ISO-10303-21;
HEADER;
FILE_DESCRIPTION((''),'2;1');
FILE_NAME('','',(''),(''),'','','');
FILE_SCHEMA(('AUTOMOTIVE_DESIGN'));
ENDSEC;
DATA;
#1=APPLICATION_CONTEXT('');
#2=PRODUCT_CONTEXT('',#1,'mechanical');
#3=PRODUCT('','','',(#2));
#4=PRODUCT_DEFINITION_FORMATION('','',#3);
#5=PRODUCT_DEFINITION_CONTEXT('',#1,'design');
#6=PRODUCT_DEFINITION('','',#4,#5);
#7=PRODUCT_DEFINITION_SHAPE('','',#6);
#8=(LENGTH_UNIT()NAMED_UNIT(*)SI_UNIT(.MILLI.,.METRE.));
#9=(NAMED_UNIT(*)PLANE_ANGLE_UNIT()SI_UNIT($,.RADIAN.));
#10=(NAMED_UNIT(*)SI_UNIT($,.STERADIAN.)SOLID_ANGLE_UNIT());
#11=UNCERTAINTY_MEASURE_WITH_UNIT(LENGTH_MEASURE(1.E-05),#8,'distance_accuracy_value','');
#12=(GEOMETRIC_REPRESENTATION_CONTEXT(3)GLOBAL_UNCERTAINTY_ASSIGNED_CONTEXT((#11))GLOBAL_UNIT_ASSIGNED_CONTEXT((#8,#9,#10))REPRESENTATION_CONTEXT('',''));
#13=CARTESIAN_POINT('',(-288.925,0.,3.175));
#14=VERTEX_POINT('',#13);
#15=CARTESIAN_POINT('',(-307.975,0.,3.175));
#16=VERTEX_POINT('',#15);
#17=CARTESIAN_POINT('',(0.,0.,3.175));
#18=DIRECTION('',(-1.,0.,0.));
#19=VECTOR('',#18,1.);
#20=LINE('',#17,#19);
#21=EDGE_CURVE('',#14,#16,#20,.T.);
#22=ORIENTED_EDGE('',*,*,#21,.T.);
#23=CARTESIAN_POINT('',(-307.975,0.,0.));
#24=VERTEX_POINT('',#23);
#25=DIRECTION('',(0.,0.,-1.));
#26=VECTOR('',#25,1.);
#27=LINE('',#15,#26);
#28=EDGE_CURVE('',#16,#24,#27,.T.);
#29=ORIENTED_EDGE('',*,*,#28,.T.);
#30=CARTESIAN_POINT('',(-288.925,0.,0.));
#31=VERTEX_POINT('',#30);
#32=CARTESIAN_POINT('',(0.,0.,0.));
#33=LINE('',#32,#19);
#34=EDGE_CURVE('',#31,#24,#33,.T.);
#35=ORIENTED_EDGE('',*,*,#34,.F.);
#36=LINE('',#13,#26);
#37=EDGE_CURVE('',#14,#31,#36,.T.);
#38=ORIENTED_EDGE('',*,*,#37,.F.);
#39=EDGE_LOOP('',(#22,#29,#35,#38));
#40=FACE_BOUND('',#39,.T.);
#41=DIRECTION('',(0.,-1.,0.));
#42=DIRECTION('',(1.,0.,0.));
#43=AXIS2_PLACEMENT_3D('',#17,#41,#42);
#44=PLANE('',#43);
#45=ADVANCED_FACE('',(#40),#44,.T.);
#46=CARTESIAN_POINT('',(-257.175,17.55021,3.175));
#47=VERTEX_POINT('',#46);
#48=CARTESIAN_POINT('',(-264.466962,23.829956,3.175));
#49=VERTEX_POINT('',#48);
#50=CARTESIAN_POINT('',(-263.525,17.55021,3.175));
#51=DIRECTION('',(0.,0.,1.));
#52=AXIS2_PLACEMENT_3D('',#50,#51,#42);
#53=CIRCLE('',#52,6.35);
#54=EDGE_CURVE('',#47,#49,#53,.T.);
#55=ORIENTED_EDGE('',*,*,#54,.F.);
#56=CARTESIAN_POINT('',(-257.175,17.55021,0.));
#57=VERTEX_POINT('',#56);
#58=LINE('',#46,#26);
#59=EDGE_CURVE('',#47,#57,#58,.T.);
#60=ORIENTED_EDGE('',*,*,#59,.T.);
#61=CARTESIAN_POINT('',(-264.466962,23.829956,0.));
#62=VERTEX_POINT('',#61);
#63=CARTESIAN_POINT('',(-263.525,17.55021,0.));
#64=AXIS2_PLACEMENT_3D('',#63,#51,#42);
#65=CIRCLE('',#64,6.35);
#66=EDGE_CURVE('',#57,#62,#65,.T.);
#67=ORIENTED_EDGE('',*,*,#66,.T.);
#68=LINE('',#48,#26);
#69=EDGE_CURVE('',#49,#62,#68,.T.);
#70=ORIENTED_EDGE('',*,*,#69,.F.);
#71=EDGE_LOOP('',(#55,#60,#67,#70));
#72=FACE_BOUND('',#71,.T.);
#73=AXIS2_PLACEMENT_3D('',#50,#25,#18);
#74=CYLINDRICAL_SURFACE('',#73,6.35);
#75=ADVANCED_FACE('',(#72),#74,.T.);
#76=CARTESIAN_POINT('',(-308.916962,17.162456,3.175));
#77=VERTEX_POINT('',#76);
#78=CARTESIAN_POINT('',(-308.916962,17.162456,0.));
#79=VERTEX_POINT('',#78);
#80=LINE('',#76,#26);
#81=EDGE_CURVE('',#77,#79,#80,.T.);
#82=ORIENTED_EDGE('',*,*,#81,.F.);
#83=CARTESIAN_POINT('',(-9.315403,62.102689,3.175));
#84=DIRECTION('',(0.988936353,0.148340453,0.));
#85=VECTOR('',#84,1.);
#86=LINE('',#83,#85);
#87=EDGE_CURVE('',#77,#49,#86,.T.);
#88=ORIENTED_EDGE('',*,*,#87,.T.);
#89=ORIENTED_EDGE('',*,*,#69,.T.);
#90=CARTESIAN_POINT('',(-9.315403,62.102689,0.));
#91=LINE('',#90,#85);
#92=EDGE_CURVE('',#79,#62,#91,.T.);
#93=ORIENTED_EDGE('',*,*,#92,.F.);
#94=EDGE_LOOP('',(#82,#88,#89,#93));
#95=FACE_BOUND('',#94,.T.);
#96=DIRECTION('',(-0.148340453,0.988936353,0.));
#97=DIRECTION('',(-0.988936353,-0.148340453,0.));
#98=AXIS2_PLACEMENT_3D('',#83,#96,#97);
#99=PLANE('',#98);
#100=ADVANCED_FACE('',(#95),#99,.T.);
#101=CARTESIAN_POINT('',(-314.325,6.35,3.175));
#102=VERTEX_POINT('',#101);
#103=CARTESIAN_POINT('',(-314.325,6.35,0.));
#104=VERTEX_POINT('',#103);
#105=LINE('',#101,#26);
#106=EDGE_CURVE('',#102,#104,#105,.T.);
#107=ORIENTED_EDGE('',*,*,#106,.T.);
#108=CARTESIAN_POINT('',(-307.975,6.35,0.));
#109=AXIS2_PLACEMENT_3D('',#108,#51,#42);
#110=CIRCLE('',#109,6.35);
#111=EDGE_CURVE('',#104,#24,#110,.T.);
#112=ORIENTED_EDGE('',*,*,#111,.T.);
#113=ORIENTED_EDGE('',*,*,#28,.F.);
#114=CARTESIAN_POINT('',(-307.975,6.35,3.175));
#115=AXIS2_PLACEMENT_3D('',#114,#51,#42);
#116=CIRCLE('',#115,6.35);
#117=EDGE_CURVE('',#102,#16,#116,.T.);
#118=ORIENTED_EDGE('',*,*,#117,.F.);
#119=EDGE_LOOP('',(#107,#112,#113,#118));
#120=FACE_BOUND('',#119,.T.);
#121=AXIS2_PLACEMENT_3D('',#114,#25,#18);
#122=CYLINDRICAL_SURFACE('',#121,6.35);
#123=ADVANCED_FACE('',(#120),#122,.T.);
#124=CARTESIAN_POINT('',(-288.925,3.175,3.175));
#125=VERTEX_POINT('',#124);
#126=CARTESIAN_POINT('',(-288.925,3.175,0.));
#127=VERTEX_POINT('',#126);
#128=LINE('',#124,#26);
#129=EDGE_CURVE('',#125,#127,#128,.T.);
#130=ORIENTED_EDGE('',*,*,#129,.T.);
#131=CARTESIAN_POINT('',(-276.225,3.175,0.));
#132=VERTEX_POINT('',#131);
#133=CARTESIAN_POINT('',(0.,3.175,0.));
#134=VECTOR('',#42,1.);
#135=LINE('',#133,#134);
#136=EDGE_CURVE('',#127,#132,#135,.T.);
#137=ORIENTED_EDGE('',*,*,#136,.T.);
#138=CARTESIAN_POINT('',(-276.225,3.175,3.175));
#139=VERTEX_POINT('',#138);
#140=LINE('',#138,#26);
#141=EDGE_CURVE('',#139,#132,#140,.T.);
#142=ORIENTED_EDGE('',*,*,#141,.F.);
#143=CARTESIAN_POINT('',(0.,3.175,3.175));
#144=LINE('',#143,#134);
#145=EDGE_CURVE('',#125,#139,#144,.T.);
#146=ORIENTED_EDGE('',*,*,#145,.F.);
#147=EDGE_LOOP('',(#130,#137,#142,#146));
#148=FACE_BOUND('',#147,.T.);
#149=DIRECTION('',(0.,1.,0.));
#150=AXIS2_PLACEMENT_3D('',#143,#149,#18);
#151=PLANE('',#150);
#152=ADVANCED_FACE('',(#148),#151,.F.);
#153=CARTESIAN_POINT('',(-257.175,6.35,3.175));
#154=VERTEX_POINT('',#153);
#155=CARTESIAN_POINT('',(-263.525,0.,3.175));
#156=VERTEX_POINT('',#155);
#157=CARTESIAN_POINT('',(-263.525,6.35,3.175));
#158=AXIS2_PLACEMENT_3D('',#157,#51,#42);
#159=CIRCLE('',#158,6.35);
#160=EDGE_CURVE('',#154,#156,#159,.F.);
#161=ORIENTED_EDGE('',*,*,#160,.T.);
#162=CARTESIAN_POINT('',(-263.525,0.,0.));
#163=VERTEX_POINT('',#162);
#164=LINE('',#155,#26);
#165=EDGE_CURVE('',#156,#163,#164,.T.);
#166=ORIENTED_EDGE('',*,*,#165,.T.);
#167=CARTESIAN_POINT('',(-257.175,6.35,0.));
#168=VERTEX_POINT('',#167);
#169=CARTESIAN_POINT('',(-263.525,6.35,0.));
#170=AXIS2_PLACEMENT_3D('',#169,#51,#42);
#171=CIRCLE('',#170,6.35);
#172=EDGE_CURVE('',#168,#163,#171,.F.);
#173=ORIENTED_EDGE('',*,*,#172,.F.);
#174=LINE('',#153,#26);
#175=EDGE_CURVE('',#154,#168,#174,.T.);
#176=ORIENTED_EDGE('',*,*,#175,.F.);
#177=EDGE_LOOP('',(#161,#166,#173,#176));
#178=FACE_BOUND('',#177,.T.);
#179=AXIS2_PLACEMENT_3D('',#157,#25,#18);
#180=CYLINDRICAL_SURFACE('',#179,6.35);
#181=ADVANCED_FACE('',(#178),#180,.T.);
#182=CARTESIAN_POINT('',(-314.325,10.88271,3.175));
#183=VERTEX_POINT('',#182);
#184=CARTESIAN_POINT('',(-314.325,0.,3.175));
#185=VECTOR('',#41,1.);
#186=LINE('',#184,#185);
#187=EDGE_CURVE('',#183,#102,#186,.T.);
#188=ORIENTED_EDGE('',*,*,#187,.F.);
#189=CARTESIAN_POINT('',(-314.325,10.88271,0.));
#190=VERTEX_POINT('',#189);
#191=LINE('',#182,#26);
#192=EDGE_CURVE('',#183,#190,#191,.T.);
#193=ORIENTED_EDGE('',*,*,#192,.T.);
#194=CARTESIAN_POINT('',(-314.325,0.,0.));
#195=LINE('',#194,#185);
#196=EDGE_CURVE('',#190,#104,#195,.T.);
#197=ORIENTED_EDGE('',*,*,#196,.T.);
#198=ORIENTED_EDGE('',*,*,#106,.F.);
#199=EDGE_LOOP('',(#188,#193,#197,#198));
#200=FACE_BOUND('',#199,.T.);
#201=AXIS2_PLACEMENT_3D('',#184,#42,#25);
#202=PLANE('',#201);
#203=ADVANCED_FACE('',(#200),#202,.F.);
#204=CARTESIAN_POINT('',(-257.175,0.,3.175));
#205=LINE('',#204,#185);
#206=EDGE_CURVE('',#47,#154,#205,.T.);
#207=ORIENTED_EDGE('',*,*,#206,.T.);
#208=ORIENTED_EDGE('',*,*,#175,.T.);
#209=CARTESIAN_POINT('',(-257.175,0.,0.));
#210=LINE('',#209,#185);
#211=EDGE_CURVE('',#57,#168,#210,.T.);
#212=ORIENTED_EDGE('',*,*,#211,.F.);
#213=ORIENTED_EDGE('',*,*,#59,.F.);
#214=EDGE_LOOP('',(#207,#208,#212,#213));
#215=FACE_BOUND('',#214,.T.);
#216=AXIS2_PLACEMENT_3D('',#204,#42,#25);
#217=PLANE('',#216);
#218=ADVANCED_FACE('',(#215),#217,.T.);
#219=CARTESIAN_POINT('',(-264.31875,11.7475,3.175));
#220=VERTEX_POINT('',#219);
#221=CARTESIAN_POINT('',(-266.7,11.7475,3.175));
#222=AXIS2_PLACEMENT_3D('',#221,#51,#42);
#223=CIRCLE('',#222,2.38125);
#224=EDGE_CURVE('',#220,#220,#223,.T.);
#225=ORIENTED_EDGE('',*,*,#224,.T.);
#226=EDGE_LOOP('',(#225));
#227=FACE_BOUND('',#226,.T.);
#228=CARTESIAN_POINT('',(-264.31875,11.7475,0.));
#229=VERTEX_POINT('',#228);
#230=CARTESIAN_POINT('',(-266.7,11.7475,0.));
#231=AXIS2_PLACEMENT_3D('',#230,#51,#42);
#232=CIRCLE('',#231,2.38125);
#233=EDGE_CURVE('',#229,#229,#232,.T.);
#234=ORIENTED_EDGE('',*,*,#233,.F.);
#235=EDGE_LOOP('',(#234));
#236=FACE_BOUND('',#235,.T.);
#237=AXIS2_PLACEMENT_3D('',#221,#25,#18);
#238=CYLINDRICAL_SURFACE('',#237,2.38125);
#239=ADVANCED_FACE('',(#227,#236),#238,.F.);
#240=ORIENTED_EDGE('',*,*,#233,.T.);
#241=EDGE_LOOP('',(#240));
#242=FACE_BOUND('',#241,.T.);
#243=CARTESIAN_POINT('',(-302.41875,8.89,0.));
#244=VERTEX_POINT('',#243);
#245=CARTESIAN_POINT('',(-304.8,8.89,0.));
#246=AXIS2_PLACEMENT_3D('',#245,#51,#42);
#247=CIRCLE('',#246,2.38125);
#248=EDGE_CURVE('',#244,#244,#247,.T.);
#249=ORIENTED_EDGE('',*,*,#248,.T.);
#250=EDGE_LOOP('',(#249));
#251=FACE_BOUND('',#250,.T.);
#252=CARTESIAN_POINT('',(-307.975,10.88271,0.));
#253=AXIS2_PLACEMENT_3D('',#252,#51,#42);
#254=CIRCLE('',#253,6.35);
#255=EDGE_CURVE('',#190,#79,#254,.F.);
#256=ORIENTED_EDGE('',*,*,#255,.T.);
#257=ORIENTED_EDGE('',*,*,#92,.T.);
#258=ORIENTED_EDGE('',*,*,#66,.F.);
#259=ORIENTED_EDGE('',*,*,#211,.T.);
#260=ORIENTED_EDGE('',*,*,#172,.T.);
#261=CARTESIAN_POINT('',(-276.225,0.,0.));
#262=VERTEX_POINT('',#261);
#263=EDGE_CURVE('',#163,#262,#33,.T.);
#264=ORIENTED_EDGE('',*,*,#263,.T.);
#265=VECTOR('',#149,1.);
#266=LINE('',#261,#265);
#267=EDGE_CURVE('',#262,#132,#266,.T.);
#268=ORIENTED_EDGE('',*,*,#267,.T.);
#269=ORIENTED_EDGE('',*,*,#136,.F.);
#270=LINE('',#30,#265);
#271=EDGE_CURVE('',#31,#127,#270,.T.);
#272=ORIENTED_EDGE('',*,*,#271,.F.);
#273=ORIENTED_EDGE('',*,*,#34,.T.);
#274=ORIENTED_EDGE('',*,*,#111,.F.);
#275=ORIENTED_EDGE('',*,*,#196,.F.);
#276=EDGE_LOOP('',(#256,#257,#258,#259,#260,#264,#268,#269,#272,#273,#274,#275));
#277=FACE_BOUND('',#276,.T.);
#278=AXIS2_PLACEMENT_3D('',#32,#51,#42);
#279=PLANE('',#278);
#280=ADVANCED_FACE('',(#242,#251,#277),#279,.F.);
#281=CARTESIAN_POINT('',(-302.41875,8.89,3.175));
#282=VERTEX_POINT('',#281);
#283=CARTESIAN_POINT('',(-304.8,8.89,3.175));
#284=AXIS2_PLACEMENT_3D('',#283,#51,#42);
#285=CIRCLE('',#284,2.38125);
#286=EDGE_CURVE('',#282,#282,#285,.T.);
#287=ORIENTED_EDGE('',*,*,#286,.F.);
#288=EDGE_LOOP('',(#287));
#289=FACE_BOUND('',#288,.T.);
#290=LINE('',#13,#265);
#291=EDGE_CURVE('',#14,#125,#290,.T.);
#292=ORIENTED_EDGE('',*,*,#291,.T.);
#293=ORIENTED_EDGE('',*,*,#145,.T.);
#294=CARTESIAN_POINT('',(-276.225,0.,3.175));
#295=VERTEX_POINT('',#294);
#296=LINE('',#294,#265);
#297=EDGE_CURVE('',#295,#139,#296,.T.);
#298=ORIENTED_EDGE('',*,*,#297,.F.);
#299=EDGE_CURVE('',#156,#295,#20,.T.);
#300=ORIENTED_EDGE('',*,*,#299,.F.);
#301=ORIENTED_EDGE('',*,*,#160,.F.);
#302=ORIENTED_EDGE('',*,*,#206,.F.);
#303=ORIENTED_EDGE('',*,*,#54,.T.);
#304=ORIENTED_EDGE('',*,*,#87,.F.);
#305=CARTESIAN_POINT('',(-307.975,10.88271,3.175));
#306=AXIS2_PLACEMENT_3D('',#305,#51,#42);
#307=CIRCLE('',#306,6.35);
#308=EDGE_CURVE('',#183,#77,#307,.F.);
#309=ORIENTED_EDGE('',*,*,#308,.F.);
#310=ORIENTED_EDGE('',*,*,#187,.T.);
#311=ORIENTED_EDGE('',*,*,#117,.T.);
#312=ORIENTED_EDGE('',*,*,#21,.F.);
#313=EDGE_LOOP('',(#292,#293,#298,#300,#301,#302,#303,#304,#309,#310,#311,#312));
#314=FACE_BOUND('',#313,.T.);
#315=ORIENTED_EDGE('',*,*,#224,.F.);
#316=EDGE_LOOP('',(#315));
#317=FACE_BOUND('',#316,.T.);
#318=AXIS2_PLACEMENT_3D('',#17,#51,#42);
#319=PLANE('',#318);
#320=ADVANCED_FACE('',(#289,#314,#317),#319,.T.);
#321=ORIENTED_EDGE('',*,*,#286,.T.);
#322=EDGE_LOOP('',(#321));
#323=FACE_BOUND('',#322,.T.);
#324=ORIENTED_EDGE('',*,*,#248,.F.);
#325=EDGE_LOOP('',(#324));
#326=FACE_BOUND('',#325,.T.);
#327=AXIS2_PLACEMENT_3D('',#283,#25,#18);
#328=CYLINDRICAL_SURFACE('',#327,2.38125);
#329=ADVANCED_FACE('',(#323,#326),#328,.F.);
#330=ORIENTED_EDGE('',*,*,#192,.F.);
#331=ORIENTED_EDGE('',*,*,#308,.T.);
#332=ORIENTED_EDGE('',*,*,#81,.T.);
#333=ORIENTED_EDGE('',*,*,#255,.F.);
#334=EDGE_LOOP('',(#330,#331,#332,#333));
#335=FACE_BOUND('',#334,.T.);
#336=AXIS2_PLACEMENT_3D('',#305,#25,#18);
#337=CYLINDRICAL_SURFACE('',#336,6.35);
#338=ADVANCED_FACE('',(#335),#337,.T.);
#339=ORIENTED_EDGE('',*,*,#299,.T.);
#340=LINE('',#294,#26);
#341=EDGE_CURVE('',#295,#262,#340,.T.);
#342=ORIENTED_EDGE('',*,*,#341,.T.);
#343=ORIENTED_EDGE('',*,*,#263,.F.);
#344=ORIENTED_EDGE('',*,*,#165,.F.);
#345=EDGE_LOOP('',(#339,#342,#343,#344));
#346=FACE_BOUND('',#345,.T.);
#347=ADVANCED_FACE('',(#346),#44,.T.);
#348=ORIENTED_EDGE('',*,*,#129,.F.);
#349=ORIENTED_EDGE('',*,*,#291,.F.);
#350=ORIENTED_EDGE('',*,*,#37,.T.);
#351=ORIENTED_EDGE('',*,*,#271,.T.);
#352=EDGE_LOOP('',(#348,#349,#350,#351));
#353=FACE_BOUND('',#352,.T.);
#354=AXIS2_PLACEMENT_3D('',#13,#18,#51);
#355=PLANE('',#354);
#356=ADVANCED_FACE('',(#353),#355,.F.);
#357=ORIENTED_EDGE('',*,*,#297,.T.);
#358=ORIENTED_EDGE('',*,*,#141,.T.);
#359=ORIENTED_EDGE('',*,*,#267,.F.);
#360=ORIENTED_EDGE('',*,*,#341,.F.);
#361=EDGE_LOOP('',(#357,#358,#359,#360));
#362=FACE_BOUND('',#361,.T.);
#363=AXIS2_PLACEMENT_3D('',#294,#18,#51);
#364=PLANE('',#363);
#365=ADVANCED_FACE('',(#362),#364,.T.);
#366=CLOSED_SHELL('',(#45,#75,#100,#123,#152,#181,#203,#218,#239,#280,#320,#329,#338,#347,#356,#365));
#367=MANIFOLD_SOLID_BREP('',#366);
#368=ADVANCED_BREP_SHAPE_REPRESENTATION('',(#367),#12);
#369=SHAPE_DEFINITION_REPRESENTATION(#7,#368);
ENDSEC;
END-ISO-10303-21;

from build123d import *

# Parameters (mm, degrees)
BOSS_EXTRUDE1_DEPTH = 3.175


with BuildPart() as part:
    # Sketch1 → Boss-Extrude1 (new body)
    with BuildSketch(Plane.XY):
        with BuildLine():
            Line((-307.975, 0), (-304.8, 0))
            Line((-304.8, 0), (-304.8, 6.50875))
            ThreePointArc((-304.8, 6.50875), (-307.18125, 8.89), (-304.8, 11.27125))
            Line((-304.8, 11.27125), (-304.8, 17.78))
            Line((-304.8, 17.78), (-308.916961876, 17.162455719))
            ThreePointArc((-308.916961876, 17.162455719), (-312.786650336, 15.026442621), (-314.325, 10.882709878))
            Line((-314.325, 10.882709878), (-314.325, 6.35))
            ThreePointArc((-314.325, 6.35), (-312.465128061, 1.859871939), (-307.975, 0))
        make_face()
        with BuildLine():
            Line((-304.8, 0), (-288.925, 0))
            Line((-288.925, 0), (-288.925, 3.175))
            Line((-288.925, 3.175), (-276.225, 3.175))
            Line((-276.225, 3.175), (-276.225, 0))
            Line((-276.225, 0), (-266.7, 0))
            Line((-266.7, 0), (-266.7, 9.36625))
            ThreePointArc((-266.7, 9.36625), (-269.08125, 11.7475), (-266.7, 14.12875))
            Line((-266.7, 14.12875), (-266.7, 23.495))
            Line((-266.7, 23.495), (-304.8, 17.78))
            Line((-304.8, 17.78), (-304.8, 11.27125))
            ThreePointArc((-304.8, 11.27125), (-303.116201977, 10.573798023), (-302.41875, 8.89))
            ThreePointArc((-302.41875, 8.89), (-303.116201977, 7.206201977), (-304.8, 6.50875))
            Line((-304.8, 6.50875), (-304.8, 0))
        make_face()
        with BuildLine():
            Line((-266.7, 9.36625), (-266.7, 0))
            Line((-266.7, 0), (-263.525, 0))
            ThreePointArc((-263.525, 0), (-259.034871939, 1.859871939), (-257.175, 6.35))
            Line((-257.175, 6.35), (-257.175, 17.550209878))
            ThreePointArc((-257.175, 17.550209878), (-259.381267257, 22.361860214), (-264.466961876, 23.829955719))
            Line((-264.466961876, 23.829955719), (-266.7, 23.495))
            Line((-266.7, 23.495), (-266.7, 14.12875))
            ThreePointArc((-266.7, 14.12875), (-265.016201977, 13.431298023), (-264.31875, 11.7475))
            ThreePointArc((-264.31875, 11.7475), (-265.016201977, 10.063701977), (-266.7, 9.36625))
        make_face()
    extrude(amount=BOSS_EXTRUDE1_DEPTH)


solid = part.part
